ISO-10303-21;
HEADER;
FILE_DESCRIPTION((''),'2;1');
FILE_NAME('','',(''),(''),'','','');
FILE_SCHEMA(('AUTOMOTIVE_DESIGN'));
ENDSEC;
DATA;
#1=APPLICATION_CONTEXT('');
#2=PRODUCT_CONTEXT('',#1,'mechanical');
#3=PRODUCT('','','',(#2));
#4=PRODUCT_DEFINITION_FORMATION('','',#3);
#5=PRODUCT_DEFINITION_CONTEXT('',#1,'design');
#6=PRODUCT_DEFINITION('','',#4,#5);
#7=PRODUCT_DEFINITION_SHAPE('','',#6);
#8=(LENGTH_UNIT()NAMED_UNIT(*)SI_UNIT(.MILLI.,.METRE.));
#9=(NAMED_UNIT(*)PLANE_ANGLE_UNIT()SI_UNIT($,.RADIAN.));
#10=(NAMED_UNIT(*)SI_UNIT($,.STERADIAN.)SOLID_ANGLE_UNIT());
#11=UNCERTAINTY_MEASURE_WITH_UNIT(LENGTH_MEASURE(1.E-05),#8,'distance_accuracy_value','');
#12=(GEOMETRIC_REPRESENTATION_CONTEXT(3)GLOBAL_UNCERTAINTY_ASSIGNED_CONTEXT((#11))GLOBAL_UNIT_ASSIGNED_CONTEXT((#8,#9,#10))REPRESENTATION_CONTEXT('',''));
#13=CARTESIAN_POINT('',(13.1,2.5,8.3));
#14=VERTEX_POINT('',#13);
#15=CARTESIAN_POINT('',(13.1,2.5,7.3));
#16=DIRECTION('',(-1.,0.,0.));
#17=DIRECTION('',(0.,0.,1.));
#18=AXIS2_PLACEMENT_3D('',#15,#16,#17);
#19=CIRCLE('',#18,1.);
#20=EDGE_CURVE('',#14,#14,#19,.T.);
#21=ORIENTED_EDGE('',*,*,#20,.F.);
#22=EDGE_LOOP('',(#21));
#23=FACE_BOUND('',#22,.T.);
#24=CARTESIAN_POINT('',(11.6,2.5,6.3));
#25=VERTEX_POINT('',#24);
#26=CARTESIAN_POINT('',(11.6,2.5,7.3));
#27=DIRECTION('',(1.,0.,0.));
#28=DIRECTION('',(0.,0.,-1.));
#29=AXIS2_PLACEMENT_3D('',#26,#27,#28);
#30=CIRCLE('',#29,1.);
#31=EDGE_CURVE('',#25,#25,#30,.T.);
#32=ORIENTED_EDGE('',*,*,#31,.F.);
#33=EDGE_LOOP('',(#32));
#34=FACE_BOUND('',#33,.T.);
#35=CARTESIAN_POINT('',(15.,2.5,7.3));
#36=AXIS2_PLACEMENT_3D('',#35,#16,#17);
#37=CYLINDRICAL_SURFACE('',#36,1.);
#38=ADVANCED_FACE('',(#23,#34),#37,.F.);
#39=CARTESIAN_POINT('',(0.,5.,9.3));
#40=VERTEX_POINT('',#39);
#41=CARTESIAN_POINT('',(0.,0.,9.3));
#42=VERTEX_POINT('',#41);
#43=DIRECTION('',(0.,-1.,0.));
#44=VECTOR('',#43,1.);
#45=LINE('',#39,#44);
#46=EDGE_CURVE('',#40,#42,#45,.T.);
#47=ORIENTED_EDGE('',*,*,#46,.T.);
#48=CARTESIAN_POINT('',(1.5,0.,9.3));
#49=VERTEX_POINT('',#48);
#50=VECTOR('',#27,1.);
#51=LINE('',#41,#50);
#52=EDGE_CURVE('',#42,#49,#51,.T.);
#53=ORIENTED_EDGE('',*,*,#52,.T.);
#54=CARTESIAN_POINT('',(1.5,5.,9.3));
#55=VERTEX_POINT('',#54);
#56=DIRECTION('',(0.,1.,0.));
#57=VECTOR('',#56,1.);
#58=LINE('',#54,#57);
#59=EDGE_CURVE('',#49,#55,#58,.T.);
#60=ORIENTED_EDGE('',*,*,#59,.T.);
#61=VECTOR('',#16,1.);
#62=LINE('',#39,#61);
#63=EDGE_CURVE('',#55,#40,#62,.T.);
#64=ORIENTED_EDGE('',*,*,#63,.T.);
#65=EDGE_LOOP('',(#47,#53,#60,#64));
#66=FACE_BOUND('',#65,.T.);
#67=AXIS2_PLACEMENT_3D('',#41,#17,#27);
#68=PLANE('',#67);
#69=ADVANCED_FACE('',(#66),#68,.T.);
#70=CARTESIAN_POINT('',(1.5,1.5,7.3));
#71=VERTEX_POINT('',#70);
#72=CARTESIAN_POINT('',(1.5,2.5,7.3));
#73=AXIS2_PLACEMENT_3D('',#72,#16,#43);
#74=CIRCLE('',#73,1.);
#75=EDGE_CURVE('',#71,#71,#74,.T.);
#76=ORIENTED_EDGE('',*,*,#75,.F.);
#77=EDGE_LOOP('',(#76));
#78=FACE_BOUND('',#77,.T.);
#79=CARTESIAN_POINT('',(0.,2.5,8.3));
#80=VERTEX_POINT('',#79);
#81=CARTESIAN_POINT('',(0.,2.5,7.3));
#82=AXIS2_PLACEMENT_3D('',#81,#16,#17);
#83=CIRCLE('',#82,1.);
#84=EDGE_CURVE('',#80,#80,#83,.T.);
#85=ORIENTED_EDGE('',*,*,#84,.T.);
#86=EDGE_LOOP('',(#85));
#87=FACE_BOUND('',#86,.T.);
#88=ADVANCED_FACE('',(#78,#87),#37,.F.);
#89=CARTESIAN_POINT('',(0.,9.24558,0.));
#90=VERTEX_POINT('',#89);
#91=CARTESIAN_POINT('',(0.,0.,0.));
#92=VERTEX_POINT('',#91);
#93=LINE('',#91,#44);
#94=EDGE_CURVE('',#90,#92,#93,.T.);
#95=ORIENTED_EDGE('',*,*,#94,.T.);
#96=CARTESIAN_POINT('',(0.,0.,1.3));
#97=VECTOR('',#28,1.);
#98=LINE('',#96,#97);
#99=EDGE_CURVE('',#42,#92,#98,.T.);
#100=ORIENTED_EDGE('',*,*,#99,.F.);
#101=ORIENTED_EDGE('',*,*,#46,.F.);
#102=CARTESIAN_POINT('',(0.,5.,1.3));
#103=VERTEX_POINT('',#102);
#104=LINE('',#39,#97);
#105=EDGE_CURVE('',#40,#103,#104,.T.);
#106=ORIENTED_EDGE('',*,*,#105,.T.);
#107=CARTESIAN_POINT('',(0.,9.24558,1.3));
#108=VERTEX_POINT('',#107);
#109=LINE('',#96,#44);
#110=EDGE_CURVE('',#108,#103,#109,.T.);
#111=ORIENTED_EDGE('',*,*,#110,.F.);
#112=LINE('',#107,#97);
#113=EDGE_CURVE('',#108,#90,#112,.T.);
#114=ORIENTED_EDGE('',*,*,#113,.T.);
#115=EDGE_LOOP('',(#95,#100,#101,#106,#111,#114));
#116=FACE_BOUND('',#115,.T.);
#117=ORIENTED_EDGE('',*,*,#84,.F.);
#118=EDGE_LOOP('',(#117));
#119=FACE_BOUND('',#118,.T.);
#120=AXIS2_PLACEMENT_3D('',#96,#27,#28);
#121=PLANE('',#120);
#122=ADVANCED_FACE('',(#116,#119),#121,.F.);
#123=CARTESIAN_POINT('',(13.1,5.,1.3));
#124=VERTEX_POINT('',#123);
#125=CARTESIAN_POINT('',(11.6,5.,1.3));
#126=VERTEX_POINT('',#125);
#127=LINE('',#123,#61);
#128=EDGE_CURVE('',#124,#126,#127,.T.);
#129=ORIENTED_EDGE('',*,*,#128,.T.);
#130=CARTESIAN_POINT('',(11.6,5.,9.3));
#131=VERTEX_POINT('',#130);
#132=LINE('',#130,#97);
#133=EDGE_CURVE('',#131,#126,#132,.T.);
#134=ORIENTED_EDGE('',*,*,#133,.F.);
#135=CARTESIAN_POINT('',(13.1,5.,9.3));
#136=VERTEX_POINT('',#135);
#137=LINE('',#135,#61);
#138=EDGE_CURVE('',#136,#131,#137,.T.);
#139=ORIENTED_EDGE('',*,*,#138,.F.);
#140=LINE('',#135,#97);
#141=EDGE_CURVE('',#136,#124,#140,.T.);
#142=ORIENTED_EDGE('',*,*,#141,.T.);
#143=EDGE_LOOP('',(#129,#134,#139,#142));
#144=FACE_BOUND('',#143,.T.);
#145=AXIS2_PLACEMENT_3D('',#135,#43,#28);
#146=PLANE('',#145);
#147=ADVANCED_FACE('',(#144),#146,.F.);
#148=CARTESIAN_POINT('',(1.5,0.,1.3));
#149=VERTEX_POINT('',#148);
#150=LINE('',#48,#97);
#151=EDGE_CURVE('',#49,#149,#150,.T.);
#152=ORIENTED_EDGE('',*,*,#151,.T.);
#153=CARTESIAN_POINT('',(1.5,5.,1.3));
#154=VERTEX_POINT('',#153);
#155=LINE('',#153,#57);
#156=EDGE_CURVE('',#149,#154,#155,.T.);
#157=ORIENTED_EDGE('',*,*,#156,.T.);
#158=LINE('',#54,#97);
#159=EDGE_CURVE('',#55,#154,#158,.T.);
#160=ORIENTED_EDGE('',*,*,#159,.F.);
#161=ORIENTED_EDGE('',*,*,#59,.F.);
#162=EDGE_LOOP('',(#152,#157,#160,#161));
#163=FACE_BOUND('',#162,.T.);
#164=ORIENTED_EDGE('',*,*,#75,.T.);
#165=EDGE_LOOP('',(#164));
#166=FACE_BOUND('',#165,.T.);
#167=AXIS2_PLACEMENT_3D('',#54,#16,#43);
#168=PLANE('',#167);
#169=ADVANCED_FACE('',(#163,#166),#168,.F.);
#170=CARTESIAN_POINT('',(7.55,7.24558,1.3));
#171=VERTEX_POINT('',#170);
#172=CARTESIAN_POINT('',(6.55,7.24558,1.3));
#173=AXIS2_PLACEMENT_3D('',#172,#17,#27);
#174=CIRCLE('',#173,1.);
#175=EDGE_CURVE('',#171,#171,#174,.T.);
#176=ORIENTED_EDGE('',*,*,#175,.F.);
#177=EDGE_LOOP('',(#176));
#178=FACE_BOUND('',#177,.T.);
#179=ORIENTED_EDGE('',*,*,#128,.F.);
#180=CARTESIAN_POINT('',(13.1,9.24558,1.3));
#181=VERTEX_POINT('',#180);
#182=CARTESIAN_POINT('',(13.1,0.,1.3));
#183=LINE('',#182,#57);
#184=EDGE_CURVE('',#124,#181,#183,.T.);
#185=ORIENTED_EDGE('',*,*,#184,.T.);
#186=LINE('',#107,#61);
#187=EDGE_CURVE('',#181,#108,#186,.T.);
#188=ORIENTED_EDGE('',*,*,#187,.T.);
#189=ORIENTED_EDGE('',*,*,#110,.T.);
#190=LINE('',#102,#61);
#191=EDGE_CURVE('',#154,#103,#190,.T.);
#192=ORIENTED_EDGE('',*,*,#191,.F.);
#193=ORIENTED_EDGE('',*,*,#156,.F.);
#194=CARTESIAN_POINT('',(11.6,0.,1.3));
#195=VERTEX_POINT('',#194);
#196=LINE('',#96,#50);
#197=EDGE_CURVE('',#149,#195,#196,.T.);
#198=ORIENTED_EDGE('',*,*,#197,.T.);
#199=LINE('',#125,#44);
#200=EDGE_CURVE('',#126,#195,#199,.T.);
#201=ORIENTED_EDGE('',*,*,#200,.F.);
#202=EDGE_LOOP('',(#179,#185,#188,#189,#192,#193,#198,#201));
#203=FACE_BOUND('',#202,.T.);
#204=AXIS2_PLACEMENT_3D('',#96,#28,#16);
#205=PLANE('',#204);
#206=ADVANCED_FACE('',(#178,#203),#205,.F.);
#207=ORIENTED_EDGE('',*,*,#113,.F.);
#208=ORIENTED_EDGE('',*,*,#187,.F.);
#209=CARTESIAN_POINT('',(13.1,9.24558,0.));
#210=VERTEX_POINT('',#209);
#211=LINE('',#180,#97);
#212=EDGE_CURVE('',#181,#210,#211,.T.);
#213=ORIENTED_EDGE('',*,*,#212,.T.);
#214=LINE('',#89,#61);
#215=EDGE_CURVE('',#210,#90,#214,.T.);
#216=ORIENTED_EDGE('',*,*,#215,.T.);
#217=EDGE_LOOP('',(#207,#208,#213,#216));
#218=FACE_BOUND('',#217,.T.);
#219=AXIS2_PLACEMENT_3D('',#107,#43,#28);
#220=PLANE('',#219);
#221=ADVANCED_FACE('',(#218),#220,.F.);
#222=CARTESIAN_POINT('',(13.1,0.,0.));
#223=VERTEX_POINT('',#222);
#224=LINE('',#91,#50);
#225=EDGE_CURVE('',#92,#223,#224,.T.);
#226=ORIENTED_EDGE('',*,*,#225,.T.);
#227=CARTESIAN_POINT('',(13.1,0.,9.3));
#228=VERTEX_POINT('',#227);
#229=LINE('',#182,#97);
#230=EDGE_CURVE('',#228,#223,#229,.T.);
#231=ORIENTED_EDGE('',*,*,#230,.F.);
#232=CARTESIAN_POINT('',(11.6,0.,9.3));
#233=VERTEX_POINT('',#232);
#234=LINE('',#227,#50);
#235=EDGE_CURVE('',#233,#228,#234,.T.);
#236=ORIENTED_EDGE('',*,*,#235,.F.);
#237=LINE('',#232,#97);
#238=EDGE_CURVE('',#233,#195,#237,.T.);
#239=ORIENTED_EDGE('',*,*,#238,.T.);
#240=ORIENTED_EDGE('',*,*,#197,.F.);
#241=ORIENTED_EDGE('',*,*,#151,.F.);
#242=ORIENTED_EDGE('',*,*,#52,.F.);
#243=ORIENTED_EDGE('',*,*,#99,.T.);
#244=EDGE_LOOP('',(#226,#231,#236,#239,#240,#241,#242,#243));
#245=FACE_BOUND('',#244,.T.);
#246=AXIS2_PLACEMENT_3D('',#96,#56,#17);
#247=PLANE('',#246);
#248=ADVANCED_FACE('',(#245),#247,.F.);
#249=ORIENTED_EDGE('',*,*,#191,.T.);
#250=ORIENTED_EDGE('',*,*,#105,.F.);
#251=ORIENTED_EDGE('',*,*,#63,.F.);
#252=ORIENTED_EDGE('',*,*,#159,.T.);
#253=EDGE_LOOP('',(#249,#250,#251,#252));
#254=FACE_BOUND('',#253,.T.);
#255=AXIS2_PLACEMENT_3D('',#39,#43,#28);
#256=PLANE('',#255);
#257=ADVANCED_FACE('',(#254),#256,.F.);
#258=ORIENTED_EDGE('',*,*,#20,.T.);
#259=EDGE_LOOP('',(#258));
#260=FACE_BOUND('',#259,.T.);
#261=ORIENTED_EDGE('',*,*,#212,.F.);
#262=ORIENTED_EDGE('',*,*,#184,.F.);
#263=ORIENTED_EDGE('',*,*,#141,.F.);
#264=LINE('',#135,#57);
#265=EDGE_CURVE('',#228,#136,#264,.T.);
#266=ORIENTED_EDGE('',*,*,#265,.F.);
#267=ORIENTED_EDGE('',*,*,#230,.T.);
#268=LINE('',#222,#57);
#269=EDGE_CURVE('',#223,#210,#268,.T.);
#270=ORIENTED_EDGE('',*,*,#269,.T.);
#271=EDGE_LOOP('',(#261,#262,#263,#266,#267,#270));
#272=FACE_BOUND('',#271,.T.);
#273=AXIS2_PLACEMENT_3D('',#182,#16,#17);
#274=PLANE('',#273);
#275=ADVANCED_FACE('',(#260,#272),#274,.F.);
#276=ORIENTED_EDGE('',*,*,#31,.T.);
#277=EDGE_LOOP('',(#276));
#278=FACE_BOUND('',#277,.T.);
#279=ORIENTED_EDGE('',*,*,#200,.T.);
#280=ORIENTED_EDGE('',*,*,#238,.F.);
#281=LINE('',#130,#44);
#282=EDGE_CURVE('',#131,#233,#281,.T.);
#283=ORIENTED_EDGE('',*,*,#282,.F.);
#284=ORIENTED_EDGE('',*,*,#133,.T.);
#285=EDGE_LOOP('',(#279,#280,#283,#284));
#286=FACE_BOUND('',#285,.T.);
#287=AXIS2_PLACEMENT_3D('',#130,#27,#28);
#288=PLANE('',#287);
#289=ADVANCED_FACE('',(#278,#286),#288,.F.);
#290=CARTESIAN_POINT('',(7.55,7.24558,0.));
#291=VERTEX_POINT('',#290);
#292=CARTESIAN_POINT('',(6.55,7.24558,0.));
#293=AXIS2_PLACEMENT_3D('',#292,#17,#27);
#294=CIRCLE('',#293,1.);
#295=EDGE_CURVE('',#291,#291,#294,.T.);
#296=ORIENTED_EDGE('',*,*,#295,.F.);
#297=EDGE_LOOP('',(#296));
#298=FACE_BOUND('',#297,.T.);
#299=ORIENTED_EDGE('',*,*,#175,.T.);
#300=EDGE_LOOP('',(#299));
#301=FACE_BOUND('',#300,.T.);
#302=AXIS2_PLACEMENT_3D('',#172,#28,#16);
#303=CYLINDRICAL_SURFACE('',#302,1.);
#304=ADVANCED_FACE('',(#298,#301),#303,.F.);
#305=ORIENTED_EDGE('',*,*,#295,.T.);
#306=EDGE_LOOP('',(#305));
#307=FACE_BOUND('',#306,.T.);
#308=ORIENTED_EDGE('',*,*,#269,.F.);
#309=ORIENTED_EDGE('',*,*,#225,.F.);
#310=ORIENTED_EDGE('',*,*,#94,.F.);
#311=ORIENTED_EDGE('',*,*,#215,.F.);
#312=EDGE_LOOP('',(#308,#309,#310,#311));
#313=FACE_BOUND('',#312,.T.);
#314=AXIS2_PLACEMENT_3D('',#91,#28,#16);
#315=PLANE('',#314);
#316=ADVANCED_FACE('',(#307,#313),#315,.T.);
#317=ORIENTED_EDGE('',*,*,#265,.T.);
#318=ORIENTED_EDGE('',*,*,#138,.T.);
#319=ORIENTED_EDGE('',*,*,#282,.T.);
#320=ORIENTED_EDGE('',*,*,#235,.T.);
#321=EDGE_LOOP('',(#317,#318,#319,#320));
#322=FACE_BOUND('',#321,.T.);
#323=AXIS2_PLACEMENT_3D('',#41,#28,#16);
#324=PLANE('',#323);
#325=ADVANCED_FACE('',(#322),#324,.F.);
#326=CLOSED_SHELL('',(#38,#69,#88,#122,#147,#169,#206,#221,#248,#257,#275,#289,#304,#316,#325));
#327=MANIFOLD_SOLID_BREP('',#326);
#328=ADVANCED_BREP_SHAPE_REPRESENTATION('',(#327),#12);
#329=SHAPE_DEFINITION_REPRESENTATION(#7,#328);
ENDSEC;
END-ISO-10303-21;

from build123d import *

# Parameters (mm, degrees)
SKETCH_1_W          = 13.1
SKETCH_1_H          = 9.245579741
SKETCH_1_R          = 1
EXTRUDE_1_DEPTH     = 1.3
SKETCH_2_W          = 1.5
SKETCH_2_H          = 5
EXTRUDE_2_DEPTH     = 8
SKETCH_4_R          = 1
CUT_EXTRUDE_1_DEPTH = 15


with BuildPart() as part:
    # 草图1 → 凸台-拉伸1 (new body)
    with BuildSketch(Plane.XY):
        with Locations((6.55, 4.622789871)):
            Rectangle(SKETCH_1_W, SKETCH_1_H)
        with Locations((6.55, 7.245579741)):
            Circle(SKETCH_1_R, mode=Mode.SUBTRACT)
    extrude(amount=EXTRUDE_1_DEPTH)

    # 草图2 → 凸台-拉伸2 (add)
    with BuildSketch(Plane.XY.offset(1.3)):
        with Locations((0.75, 2.5)):
            Rectangle(SKETCH_2_W, SKETCH_2_H)
        with Locations((12.35, 2.5)):
            Rectangle(SKETCH_2_W, SKETCH_2_H)
    extrude(amount=EXTRUDE_2_DEPTH)

    # 草图4 → 切除-拉伸1 (cut)
    with BuildSketch(Plane.ZY):
        with Locations((7.3, 2.5)):
            Circle(SKETCH_4_R)
    extrude(amount=-CUT_EXTRUDE_1_DEPTH, mode=Mode.SUBTRACT)


solid = part.part
